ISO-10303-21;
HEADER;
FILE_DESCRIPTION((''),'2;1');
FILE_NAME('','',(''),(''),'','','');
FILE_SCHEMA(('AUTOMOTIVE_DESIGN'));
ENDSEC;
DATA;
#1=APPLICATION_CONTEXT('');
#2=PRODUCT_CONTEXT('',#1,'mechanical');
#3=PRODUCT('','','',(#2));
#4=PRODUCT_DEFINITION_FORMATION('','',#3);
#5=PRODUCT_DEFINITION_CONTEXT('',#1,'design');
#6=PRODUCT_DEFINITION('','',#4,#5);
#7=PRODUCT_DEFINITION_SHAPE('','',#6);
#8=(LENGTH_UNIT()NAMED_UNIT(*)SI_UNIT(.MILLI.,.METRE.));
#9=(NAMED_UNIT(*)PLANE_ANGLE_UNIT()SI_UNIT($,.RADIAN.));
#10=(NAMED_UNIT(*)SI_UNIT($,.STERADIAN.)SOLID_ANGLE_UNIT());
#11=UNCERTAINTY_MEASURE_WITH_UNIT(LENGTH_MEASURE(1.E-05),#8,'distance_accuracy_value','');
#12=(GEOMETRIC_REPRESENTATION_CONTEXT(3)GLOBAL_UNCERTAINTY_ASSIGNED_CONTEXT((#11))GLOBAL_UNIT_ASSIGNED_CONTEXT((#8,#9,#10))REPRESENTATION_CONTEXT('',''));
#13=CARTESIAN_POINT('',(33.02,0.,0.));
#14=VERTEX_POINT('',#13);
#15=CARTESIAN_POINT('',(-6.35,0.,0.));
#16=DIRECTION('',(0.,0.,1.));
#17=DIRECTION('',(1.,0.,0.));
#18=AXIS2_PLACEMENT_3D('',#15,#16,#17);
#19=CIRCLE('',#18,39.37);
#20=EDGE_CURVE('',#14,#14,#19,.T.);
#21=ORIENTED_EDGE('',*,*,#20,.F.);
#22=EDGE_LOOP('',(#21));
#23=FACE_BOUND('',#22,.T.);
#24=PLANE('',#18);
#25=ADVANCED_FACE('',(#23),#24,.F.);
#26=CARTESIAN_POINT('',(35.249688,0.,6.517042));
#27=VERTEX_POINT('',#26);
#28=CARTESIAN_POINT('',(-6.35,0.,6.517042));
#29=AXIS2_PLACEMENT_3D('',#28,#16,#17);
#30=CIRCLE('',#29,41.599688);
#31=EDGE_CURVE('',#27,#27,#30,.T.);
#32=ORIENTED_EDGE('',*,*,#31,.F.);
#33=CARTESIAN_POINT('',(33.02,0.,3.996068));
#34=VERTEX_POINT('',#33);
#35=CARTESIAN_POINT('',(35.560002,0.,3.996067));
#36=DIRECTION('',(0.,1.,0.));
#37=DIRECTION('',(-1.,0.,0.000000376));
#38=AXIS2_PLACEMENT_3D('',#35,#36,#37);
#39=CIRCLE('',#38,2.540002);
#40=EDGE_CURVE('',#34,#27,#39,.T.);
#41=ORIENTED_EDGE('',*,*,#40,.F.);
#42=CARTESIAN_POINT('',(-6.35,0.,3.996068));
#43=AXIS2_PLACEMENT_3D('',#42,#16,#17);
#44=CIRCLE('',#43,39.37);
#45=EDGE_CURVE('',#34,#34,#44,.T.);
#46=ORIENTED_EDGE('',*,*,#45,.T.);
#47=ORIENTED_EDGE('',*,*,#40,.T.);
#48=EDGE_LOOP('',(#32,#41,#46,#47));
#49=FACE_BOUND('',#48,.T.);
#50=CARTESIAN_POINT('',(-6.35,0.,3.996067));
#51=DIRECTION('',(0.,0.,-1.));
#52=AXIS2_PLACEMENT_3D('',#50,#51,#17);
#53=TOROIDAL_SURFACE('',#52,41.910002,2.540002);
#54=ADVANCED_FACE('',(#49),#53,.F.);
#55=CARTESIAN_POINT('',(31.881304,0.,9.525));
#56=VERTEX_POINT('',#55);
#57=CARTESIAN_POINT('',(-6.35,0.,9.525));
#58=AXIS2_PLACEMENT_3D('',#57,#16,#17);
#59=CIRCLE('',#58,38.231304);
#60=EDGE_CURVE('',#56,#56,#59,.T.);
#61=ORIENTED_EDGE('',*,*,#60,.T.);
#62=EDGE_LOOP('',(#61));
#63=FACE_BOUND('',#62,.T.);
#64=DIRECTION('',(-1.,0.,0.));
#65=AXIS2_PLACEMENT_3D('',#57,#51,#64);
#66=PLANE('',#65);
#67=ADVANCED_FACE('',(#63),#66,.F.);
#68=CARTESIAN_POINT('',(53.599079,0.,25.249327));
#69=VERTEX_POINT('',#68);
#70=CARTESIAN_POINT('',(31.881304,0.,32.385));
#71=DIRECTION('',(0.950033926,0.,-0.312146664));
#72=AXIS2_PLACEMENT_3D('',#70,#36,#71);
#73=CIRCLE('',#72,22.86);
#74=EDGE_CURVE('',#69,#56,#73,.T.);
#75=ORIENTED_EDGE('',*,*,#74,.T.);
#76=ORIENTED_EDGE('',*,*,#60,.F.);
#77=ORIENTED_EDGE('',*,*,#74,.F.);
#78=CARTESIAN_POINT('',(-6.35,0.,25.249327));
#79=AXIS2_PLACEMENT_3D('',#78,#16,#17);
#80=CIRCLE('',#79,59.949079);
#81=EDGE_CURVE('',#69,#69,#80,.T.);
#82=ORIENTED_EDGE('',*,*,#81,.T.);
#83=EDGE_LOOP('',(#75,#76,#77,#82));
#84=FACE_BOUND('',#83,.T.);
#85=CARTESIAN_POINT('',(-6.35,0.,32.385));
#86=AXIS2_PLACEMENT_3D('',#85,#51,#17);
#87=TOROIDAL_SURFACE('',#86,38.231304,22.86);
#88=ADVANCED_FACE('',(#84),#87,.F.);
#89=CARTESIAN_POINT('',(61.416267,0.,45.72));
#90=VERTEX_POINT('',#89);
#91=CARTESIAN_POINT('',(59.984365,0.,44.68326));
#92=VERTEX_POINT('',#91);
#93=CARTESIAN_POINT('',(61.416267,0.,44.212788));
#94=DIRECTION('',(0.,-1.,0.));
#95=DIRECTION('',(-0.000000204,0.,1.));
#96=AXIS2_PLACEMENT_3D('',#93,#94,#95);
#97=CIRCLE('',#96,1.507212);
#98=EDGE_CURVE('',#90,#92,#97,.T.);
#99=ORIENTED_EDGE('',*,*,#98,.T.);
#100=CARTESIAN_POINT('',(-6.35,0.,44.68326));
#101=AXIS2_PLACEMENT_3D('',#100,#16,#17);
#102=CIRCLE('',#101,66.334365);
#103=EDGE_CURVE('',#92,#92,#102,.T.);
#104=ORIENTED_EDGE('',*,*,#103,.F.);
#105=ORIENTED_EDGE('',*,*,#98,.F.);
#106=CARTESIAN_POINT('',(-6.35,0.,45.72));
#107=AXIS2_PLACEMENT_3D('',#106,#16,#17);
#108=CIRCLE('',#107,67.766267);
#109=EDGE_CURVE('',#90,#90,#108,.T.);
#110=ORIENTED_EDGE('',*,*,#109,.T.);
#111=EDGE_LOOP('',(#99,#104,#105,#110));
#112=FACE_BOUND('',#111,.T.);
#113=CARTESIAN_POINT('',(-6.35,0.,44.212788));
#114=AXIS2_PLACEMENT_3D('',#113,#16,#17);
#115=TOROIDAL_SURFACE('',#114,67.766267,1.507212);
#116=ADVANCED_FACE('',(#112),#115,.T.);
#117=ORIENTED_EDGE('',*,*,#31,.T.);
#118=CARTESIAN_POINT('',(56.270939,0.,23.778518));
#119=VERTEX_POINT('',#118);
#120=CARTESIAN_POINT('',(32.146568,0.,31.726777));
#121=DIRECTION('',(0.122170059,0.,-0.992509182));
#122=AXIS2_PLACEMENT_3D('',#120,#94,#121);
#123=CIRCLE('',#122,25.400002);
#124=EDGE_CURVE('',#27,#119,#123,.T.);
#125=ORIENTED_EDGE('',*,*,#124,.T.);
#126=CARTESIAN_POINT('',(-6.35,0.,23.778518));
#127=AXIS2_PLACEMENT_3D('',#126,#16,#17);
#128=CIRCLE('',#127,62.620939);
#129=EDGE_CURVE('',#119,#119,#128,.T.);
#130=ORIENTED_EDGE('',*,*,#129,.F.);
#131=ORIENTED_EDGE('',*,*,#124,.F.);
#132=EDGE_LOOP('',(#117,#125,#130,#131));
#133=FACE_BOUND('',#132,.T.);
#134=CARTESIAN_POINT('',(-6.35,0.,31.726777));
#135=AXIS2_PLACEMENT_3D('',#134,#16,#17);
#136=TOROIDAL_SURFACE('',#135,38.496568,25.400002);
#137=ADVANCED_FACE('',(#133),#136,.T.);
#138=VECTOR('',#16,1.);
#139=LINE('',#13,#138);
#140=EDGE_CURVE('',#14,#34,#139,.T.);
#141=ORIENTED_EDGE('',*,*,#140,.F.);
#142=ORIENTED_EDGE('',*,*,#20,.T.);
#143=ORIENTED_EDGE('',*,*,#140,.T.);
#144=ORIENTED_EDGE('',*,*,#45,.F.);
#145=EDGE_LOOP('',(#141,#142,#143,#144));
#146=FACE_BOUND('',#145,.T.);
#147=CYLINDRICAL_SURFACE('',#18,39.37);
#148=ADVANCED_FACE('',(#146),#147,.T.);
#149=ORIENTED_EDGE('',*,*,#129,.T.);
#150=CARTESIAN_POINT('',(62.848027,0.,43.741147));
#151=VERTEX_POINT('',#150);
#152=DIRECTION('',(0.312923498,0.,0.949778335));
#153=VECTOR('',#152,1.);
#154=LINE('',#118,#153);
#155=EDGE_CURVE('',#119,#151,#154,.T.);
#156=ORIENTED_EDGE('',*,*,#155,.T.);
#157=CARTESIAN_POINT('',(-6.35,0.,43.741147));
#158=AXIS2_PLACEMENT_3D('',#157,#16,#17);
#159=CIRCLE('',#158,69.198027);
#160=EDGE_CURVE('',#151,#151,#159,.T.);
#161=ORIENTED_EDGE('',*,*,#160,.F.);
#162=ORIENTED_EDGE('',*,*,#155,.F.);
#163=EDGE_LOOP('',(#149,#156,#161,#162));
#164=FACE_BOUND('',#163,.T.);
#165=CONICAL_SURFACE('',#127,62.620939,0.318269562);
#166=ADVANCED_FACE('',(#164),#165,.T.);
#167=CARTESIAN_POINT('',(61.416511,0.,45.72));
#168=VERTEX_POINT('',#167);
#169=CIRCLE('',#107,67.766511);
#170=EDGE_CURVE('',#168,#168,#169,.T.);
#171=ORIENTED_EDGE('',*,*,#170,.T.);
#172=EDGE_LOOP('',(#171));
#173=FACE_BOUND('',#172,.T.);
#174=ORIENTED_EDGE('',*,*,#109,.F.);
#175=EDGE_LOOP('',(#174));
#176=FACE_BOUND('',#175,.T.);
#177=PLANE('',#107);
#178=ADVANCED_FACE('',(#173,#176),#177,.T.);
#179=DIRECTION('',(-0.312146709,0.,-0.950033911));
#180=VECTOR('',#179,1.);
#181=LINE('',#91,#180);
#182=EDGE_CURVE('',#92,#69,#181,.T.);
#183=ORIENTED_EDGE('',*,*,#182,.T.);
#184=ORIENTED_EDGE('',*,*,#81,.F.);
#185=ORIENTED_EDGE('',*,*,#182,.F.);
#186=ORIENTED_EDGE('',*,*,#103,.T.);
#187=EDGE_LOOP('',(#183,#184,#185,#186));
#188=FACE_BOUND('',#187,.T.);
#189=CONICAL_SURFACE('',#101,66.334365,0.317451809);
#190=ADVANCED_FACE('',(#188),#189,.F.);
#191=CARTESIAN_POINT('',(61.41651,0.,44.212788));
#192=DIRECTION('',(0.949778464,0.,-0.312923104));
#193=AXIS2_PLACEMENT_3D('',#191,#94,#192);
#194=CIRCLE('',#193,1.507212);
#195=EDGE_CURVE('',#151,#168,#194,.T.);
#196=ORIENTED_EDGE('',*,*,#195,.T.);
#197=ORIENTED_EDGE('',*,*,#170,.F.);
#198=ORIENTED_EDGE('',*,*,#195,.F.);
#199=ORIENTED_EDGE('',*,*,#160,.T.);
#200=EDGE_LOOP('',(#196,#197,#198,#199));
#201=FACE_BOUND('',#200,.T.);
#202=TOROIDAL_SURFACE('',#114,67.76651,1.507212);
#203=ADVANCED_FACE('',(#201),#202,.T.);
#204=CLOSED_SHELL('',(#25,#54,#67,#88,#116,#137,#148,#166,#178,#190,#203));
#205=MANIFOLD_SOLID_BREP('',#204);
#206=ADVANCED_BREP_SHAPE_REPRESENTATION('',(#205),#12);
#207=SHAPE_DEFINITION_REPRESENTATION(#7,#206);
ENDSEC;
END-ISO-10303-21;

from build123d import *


with BuildPart() as f1:
    # F0 (on Front) → F1 (revolve)
    with BuildSketch(Plane.XZ):
        with BuildLine():
            ThreePointArc((62.848027, 43.741147), (62.637688, 45.096197), (61.416511, 45.72))
            Line((61.416511, 45.72), (61.416267, 45.72))
            ThreePointArc((61.416267, 45.72), (60.532359, 45.433605), (59.984365, 44.68326))
            Line((59.984365, 44.68326), (53.599079, 25.249327))
            ThreePointArc((53.599079, 25.249327), (45.28761, 13.868776), (31.881304, 9.525))
            Line((31.881304, 9.525), (25.4, 9.525))
            Line((25.4, 9.525), (0, 9.525))
            Line((0, 9.525), (-6.35, 9.525))
            Line((-6.35, 9.525), (-6.35, 0))
            Line((-6.35, 0), (0, 0))
            Line((0, 0), (24.376065, 0))
            Line((24.376065, 0), (31.321423, 0))
            Line((31.321423, 0), (33.02, 0))
            Line((33.02, 0), (33.02, 3.996068))
            ThreePointArc((33.02, 3.996068), (33.657398, 5.678835), (35.249688, 6.517042))
            ThreePointArc((35.249688, 6.517042), (48.265616, 12.09679), (56.270939, 23.778518))
            Line((56.270939, 23.778518), (62.848027, 43.741147))
        make_face()
    revolve(axis=Axis((-6.35, 0, 4.7625), (0, 0, 1)))


solid = f1.part
